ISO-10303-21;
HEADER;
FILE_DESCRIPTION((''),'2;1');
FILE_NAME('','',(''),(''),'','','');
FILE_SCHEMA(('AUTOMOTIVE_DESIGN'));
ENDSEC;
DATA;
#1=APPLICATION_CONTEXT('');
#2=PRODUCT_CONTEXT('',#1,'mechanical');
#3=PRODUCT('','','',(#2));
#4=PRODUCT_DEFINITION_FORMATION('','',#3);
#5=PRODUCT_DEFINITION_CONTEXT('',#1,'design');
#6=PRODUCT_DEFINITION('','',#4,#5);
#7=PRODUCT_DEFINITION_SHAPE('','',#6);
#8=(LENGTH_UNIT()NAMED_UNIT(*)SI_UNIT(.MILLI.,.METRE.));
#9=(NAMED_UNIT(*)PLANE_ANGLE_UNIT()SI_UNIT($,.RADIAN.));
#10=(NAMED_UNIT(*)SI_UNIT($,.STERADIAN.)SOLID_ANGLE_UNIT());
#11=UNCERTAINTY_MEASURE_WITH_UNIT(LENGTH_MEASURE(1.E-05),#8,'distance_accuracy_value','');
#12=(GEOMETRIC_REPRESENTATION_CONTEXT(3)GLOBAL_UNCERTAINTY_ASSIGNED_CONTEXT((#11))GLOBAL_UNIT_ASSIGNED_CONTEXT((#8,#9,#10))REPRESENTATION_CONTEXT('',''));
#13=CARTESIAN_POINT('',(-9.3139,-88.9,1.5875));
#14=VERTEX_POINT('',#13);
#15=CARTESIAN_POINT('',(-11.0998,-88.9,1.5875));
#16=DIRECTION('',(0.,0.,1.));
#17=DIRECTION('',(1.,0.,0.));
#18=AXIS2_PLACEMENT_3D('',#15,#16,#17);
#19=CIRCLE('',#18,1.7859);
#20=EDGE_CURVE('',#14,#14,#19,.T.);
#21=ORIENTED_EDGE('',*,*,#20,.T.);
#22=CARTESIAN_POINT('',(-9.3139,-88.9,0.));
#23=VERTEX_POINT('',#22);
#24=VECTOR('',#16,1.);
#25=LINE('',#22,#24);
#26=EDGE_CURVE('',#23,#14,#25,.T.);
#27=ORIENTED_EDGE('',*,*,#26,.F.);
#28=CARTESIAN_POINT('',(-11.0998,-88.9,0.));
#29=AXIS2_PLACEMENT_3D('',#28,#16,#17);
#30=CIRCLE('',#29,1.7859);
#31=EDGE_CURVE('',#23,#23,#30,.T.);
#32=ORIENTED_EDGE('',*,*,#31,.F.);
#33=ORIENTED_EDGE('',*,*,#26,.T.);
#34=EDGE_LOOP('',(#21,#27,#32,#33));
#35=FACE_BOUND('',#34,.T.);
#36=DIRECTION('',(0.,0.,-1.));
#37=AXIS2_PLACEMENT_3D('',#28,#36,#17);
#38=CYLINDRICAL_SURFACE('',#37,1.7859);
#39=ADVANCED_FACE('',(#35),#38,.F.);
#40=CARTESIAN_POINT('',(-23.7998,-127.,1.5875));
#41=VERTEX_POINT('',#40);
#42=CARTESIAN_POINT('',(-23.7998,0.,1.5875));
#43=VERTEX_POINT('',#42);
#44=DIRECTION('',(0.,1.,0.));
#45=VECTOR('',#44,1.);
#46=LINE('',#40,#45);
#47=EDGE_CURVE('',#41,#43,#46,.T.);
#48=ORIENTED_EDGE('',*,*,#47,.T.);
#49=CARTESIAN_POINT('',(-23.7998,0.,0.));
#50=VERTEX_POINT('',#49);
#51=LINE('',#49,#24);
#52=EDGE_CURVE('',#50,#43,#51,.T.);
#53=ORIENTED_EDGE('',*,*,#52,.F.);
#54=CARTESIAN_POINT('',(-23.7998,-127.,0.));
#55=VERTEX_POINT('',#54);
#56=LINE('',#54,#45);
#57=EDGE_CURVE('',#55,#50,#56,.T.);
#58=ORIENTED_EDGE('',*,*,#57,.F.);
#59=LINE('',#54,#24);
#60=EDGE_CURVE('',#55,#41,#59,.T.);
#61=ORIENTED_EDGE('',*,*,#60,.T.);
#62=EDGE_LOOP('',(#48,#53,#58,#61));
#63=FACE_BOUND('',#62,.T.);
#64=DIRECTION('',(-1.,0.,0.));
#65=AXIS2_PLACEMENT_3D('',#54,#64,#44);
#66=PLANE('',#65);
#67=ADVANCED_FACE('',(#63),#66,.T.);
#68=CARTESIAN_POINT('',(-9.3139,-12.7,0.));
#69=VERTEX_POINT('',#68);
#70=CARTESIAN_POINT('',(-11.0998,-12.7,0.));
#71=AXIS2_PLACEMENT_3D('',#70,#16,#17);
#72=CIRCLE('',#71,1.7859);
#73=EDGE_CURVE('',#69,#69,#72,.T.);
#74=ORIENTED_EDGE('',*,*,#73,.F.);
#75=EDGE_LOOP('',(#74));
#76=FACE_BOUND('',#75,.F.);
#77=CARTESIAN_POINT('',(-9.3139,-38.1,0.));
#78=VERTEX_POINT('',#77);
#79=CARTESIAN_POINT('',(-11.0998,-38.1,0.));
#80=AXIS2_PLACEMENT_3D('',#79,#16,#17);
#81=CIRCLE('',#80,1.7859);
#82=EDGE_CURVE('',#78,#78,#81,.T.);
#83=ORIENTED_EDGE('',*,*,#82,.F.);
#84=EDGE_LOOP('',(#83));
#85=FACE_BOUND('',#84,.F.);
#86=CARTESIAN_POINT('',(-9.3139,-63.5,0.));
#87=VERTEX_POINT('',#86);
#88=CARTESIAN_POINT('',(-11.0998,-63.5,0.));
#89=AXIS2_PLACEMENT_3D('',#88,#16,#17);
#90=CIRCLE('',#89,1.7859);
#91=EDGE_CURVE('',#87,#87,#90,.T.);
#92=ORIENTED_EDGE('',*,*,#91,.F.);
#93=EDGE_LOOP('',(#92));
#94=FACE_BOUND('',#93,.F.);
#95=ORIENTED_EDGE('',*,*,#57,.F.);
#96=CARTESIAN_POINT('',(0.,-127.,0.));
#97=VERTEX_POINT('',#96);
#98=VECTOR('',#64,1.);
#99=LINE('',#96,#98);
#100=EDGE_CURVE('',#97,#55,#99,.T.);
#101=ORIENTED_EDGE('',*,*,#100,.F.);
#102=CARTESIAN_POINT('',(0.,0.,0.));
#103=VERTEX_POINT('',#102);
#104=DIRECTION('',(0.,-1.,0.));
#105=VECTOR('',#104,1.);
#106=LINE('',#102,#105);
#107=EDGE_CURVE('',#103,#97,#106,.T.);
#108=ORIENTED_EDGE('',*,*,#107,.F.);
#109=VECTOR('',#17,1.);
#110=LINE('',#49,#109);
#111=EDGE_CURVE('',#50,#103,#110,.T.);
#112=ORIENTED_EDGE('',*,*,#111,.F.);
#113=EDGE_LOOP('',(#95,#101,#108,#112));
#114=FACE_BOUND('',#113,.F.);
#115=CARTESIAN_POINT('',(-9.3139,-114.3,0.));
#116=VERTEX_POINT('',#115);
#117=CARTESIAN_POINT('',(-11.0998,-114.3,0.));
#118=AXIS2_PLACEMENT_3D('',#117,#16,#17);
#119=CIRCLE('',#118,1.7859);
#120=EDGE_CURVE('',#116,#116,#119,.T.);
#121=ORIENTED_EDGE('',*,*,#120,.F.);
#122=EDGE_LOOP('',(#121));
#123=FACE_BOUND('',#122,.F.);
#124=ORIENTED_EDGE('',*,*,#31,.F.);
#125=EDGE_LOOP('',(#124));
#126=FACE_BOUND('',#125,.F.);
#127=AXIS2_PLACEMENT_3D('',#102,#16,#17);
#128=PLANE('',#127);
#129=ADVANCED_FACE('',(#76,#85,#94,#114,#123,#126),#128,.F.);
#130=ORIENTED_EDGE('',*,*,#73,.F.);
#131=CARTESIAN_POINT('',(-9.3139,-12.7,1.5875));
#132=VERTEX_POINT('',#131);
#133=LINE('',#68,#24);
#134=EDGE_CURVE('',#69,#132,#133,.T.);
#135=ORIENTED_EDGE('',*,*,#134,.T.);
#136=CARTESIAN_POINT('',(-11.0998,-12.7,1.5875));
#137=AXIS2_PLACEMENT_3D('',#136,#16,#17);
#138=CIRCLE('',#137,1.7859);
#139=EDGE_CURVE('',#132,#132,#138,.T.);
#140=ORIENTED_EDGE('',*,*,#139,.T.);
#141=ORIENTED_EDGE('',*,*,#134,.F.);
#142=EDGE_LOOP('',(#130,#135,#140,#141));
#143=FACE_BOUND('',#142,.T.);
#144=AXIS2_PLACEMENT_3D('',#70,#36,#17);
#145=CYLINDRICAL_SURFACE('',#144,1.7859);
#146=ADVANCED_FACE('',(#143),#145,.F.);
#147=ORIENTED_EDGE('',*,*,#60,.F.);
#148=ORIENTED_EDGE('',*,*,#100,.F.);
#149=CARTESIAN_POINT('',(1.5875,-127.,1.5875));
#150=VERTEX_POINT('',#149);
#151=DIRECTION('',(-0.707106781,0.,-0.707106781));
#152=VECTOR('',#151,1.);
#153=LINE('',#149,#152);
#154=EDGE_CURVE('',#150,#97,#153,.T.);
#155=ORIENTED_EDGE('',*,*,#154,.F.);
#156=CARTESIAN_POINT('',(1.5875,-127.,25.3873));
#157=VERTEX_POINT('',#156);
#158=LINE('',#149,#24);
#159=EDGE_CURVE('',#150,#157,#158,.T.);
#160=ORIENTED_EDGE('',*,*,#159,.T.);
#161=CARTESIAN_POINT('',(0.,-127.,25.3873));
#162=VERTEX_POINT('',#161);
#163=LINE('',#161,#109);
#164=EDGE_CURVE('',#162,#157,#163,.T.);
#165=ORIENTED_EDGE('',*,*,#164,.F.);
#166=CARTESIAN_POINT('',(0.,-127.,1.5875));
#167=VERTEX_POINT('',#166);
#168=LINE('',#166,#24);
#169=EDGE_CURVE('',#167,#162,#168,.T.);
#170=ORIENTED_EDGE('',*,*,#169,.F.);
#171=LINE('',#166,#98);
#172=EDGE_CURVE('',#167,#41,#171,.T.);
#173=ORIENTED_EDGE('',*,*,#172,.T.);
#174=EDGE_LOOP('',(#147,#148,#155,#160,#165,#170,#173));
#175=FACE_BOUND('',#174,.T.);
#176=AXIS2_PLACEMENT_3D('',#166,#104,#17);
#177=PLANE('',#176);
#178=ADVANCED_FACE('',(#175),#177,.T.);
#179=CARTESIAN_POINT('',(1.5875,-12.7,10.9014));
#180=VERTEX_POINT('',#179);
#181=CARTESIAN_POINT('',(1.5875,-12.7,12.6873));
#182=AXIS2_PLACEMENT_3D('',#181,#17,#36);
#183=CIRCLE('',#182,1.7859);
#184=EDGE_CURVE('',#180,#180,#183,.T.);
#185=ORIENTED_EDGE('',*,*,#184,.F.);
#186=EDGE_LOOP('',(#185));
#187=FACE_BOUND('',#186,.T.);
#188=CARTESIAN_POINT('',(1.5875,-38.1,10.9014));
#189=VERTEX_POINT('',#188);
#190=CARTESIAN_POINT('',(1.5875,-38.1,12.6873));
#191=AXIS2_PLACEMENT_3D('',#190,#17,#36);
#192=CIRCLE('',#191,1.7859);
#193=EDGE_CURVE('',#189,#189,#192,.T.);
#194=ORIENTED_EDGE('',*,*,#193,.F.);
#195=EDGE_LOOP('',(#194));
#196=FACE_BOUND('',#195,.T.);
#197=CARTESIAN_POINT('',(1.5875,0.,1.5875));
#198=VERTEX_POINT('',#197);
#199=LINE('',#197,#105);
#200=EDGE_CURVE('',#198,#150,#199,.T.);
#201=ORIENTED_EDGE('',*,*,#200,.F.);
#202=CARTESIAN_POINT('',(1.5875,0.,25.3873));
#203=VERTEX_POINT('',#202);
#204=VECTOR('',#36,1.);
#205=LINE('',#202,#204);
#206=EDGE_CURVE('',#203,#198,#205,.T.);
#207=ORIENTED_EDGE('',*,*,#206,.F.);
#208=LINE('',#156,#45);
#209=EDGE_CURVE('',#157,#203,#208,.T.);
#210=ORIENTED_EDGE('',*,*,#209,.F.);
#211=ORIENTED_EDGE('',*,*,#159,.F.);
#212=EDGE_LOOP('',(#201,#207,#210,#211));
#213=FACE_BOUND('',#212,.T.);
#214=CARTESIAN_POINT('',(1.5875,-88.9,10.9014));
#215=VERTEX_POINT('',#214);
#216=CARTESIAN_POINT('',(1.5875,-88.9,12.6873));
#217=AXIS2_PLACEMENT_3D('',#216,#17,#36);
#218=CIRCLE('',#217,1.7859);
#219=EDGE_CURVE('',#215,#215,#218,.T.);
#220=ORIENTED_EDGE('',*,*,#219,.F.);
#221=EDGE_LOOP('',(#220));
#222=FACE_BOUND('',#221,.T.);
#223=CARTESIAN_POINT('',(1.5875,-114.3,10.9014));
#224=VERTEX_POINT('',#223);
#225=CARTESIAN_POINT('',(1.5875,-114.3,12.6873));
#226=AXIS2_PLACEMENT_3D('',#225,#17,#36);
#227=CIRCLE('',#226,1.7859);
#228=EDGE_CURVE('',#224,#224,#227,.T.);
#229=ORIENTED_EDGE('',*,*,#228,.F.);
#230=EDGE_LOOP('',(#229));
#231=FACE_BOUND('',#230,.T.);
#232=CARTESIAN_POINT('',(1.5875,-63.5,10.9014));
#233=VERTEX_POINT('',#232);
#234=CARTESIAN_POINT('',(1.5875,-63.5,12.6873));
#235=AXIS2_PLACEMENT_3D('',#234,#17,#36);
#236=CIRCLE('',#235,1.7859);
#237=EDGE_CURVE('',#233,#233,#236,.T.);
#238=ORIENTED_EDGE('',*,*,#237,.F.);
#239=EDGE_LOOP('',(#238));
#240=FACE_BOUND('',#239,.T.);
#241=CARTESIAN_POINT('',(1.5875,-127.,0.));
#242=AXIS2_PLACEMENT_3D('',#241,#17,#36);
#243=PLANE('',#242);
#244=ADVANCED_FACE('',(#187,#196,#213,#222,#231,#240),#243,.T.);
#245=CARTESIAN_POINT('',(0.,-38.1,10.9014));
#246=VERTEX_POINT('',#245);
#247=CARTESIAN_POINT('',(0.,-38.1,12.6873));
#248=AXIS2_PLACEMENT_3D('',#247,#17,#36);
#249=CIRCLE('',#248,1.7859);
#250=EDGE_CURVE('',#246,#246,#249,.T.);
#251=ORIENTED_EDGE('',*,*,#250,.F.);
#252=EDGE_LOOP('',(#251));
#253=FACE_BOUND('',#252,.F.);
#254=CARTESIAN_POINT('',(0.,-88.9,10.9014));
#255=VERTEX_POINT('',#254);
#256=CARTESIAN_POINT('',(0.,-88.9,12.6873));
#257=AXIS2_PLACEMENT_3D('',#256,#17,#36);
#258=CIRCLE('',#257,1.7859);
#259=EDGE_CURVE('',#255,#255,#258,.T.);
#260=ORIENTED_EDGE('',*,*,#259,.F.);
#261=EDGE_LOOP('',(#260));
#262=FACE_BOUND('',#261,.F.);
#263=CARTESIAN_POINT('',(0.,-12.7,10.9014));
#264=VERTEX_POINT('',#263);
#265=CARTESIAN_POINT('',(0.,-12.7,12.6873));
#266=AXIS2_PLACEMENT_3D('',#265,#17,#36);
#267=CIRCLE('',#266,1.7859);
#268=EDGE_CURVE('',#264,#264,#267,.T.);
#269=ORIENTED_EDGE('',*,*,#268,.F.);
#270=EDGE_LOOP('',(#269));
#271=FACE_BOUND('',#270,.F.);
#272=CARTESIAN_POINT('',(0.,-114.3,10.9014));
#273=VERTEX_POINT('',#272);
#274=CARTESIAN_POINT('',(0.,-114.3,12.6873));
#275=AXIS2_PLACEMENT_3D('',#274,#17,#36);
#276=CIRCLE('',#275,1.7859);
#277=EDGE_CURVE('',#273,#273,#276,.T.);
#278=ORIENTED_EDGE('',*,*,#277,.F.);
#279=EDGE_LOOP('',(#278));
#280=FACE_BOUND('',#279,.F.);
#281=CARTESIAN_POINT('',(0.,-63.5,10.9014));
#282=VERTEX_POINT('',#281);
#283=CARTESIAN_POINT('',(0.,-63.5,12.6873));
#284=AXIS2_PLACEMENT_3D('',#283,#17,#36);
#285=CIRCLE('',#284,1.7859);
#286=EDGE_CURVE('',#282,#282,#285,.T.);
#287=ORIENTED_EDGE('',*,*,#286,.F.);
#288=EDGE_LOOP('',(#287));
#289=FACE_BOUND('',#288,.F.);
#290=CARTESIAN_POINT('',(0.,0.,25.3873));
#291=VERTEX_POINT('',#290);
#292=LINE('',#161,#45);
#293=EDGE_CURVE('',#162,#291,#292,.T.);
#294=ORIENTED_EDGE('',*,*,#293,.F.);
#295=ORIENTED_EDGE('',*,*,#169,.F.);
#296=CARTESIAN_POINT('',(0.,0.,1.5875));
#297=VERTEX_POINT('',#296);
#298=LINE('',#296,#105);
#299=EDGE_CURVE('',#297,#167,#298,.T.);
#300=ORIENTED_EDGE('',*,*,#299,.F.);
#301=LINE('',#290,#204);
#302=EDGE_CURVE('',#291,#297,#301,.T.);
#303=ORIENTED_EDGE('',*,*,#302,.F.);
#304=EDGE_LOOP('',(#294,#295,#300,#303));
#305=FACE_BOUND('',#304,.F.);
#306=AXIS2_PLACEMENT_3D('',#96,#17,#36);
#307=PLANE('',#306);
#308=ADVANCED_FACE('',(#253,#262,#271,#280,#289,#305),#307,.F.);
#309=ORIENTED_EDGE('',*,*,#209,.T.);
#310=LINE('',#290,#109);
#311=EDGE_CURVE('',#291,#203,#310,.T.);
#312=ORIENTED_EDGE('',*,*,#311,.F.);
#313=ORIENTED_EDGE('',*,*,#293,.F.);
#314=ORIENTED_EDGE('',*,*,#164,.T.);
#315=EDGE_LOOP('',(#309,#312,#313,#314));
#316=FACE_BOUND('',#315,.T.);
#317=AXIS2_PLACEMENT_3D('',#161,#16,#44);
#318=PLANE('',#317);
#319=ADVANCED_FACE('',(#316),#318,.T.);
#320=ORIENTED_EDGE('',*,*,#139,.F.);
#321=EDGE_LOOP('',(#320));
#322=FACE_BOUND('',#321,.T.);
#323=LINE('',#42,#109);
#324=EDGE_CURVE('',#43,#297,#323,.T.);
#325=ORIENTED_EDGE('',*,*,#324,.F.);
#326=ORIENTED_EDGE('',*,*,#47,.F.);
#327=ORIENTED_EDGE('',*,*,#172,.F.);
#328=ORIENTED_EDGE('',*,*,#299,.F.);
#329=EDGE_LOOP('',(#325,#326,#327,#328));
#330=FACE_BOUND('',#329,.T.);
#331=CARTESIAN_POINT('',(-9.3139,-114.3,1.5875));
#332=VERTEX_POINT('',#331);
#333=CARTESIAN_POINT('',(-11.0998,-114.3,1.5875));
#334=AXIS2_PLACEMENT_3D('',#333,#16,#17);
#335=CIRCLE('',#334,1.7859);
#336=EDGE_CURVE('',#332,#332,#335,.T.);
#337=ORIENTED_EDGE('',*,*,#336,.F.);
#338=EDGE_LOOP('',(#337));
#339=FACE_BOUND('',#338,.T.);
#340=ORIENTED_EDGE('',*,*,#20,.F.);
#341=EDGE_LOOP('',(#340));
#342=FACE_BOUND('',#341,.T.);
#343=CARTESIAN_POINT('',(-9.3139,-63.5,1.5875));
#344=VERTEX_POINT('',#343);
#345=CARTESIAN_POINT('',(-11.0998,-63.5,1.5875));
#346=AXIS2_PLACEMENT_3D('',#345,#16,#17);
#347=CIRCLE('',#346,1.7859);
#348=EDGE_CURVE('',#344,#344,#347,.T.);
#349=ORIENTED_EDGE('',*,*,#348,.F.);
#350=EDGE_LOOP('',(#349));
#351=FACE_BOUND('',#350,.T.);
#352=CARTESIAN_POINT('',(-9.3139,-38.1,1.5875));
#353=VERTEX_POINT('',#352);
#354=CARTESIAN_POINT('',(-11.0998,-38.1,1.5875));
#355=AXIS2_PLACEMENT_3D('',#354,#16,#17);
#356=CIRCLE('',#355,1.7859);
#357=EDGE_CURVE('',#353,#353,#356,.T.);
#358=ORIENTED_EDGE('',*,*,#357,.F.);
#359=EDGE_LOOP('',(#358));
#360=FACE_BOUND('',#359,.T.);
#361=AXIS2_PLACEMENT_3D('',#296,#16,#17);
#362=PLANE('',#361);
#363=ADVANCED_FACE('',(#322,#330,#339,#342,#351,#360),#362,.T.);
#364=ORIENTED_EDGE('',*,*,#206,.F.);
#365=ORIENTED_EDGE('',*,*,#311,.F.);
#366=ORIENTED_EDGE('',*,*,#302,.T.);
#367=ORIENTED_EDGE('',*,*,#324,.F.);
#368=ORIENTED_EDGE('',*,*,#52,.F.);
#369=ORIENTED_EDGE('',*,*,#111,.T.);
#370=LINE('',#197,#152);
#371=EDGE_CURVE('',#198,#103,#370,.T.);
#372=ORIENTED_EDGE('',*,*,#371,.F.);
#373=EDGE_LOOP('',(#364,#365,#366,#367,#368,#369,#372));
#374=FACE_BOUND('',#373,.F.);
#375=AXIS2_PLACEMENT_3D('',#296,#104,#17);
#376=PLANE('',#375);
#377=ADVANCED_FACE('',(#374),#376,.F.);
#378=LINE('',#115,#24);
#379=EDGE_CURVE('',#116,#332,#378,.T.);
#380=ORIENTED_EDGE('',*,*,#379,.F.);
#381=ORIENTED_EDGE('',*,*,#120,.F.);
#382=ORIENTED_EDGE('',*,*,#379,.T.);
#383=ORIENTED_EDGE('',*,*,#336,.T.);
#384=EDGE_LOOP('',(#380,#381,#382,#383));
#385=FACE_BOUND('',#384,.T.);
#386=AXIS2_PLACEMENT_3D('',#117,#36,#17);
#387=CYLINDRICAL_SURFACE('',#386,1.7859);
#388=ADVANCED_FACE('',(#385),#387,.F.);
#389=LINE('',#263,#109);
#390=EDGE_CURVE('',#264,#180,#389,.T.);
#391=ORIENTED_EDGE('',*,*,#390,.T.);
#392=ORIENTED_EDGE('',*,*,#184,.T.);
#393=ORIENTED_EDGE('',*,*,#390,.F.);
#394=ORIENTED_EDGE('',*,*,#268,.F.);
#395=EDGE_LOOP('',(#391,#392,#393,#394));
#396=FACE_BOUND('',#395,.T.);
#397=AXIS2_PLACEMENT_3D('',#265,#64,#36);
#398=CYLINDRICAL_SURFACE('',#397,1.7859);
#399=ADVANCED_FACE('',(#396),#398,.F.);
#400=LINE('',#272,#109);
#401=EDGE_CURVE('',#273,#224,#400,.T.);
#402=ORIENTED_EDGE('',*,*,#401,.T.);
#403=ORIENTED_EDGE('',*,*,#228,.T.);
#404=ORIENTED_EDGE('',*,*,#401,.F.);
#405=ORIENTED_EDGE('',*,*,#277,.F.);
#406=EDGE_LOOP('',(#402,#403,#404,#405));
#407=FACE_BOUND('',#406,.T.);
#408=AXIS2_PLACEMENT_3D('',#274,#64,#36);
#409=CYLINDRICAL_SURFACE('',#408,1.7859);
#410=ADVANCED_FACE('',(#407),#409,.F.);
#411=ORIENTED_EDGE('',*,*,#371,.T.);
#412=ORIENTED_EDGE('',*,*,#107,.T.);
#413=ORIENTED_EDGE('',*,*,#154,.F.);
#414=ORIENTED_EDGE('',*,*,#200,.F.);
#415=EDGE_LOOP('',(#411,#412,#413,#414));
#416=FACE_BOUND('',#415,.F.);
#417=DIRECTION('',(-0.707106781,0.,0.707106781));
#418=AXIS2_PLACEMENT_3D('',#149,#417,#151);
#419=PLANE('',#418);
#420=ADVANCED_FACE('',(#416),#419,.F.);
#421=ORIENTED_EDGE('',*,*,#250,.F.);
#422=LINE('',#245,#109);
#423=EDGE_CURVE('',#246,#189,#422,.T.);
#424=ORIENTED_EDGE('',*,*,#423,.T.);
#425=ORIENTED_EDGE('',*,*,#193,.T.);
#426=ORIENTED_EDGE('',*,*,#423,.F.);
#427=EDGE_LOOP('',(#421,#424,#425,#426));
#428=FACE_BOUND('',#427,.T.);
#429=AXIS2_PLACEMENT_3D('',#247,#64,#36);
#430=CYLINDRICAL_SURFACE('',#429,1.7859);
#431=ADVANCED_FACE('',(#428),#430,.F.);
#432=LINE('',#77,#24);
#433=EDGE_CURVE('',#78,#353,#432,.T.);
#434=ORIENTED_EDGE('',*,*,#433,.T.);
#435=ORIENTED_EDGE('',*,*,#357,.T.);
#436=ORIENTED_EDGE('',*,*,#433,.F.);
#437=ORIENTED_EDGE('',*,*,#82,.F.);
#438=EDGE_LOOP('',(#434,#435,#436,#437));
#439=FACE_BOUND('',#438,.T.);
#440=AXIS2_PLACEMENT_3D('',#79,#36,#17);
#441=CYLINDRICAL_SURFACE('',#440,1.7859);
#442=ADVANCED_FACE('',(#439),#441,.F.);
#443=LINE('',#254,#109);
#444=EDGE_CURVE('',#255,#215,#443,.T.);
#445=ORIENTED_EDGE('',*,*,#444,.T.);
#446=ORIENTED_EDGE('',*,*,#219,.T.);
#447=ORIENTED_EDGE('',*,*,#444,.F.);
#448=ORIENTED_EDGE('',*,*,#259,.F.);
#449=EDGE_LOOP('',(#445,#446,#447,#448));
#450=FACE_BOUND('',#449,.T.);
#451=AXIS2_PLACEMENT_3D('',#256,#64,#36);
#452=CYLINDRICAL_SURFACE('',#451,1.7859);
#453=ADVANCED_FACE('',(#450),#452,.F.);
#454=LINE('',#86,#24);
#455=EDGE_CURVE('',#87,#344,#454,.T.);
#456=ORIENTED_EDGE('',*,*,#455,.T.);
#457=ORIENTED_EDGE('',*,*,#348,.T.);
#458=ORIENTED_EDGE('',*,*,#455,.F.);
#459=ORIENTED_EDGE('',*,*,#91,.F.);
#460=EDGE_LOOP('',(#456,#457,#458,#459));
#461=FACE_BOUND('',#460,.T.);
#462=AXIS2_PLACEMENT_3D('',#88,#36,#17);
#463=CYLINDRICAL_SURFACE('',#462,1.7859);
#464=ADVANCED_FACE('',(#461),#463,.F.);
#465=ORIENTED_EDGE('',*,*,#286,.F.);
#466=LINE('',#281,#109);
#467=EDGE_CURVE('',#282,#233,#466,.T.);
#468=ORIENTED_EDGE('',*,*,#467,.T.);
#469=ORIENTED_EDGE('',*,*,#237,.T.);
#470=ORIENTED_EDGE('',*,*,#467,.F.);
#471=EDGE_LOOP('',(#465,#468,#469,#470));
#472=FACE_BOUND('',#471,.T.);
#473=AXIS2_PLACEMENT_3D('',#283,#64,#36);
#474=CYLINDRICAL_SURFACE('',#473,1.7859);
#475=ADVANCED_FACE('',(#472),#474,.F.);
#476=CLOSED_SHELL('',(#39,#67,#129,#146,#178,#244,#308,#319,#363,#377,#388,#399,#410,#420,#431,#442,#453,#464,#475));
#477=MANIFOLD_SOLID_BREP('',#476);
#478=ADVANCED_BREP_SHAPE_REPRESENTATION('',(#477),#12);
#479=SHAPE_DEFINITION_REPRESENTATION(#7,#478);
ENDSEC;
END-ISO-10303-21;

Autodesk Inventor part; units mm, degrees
ref_plane "YZ Plane" through (0, 0, 0) normal (1, 0, 0) x (0, 1, 0)
ref_plane "XZ Plane" through (0, 0, 0) normal (0, 1, 0) x (-1, 0, 0)
ref_plane "XY Plane" through (0, 0, 0) normal (0, 0, 1) x (1, 0, 0)
sketch "Sketch1" plane through (0, 0, 0) normal (0, 0, 1) x (1, 0, 0)
  line L0 (-23.7998, 0) -> (0, 0)
  line L1 (0, 0) -> (0, -127)
  line L2 (0, -127) -> (-23.7998, -127)
  line L3 (-23.7998, -127) -> (-23.7998, 0)
  circle A0 centre (-11.0998, -12.7) radius 1.7859
  circle A1 centre (-11.0998, -38.1) radius 1.7859
  circle A2 centre (-11.0998, -63.5) radius 1.7859
  circle A3 centre (-11.0998, -88.9) radius 1.7859
  circle A4 centre (-11.0998, -114.3) radius 1.7859
  line L4 (-11.0998, -12.7) -> (-11.0998, -38.1) construction
  line L5 (-11.0998, -38.1) -> (-11.0998, -63.5) construction
  line L6 (-11.0998, -63.5) -> (-11.0998, -88.9) construction
  line L7 (-11.0998, -88.9) -> (-11.0998, -114.3) construction
  dimension "d0" = 23.7998
  dimension "d1" = 127
  dimension "d2" = 3.5719
  dimension "d3" = 25.4
  dimension "d4" = 12.7
  dimension "d5" = 11.0998
extrude "Extrusion1" add sketch "Sketch1" along normal blind 1.5875
sketch "Sketch3" plane through (0, -127, 0) normal (1, 0, 0) x (0, 0, -1)
  line L0 (-25.3873, 127) -> (-1.5875, 127)
  line L1 (-1.5875, 127) -> (-1.5875, 0)
  line L2 (-1.5875, 0) -> (-25.3873, 0)
  line L3 (-25.3873, 0) -> (-25.3873, 127)
  circle A0 centre (-12.6873, 114.3) radius 1.7859
  circle A1 centre (-12.6873, 88.9) radius 1.7859
  circle A2 centre (-12.6873, 63.5) radius 1.7859
  circle A3 centre (-12.6873, 38.1) radius 1.7859
  circle A4 centre (-12.6873, 12.7) radius 1.7859
  line L4 (-12.6873, 114.3) -> (-12.6873, 88.9) construction
  line L5 (-12.6873, 88.9) -> (-12.6873, 63.5) construction
  line L6 (-12.6873, 63.5) -> (-12.6873, 38.1) construction
  line L7 (-12.6873, 38.1) -> (-12.6873, 12.7) construction
  dimension "d8" = 23.7998
  dimension "d9" = 127
  dimension "d10" = 3.5719
  dimension "d11" = 25.4
  dimension "d12" = 12.7
  dimension "d13" = 11.0998
extrude "Extrusion2" add sketch "Sketch3" along normal blind 1.5875
sketch "Sketch4" plane through (0, -127, 1.5875) normal (0, -1, 0) x (1, 0, 0)
  line L0 (0, 0) -> (1.5875, 0) projected
  line L1 (0, 23.7998) -> (1.5875, 23.7998) projected
  line L2 (1.5875, 0) -> (0, -1.5875)
  line L3 (0, -1.5875) -> (0, 0)
extrude "Extrusion3" add sketch "Sketch4" against normal blind 127
properties part number "Angle bracket"
